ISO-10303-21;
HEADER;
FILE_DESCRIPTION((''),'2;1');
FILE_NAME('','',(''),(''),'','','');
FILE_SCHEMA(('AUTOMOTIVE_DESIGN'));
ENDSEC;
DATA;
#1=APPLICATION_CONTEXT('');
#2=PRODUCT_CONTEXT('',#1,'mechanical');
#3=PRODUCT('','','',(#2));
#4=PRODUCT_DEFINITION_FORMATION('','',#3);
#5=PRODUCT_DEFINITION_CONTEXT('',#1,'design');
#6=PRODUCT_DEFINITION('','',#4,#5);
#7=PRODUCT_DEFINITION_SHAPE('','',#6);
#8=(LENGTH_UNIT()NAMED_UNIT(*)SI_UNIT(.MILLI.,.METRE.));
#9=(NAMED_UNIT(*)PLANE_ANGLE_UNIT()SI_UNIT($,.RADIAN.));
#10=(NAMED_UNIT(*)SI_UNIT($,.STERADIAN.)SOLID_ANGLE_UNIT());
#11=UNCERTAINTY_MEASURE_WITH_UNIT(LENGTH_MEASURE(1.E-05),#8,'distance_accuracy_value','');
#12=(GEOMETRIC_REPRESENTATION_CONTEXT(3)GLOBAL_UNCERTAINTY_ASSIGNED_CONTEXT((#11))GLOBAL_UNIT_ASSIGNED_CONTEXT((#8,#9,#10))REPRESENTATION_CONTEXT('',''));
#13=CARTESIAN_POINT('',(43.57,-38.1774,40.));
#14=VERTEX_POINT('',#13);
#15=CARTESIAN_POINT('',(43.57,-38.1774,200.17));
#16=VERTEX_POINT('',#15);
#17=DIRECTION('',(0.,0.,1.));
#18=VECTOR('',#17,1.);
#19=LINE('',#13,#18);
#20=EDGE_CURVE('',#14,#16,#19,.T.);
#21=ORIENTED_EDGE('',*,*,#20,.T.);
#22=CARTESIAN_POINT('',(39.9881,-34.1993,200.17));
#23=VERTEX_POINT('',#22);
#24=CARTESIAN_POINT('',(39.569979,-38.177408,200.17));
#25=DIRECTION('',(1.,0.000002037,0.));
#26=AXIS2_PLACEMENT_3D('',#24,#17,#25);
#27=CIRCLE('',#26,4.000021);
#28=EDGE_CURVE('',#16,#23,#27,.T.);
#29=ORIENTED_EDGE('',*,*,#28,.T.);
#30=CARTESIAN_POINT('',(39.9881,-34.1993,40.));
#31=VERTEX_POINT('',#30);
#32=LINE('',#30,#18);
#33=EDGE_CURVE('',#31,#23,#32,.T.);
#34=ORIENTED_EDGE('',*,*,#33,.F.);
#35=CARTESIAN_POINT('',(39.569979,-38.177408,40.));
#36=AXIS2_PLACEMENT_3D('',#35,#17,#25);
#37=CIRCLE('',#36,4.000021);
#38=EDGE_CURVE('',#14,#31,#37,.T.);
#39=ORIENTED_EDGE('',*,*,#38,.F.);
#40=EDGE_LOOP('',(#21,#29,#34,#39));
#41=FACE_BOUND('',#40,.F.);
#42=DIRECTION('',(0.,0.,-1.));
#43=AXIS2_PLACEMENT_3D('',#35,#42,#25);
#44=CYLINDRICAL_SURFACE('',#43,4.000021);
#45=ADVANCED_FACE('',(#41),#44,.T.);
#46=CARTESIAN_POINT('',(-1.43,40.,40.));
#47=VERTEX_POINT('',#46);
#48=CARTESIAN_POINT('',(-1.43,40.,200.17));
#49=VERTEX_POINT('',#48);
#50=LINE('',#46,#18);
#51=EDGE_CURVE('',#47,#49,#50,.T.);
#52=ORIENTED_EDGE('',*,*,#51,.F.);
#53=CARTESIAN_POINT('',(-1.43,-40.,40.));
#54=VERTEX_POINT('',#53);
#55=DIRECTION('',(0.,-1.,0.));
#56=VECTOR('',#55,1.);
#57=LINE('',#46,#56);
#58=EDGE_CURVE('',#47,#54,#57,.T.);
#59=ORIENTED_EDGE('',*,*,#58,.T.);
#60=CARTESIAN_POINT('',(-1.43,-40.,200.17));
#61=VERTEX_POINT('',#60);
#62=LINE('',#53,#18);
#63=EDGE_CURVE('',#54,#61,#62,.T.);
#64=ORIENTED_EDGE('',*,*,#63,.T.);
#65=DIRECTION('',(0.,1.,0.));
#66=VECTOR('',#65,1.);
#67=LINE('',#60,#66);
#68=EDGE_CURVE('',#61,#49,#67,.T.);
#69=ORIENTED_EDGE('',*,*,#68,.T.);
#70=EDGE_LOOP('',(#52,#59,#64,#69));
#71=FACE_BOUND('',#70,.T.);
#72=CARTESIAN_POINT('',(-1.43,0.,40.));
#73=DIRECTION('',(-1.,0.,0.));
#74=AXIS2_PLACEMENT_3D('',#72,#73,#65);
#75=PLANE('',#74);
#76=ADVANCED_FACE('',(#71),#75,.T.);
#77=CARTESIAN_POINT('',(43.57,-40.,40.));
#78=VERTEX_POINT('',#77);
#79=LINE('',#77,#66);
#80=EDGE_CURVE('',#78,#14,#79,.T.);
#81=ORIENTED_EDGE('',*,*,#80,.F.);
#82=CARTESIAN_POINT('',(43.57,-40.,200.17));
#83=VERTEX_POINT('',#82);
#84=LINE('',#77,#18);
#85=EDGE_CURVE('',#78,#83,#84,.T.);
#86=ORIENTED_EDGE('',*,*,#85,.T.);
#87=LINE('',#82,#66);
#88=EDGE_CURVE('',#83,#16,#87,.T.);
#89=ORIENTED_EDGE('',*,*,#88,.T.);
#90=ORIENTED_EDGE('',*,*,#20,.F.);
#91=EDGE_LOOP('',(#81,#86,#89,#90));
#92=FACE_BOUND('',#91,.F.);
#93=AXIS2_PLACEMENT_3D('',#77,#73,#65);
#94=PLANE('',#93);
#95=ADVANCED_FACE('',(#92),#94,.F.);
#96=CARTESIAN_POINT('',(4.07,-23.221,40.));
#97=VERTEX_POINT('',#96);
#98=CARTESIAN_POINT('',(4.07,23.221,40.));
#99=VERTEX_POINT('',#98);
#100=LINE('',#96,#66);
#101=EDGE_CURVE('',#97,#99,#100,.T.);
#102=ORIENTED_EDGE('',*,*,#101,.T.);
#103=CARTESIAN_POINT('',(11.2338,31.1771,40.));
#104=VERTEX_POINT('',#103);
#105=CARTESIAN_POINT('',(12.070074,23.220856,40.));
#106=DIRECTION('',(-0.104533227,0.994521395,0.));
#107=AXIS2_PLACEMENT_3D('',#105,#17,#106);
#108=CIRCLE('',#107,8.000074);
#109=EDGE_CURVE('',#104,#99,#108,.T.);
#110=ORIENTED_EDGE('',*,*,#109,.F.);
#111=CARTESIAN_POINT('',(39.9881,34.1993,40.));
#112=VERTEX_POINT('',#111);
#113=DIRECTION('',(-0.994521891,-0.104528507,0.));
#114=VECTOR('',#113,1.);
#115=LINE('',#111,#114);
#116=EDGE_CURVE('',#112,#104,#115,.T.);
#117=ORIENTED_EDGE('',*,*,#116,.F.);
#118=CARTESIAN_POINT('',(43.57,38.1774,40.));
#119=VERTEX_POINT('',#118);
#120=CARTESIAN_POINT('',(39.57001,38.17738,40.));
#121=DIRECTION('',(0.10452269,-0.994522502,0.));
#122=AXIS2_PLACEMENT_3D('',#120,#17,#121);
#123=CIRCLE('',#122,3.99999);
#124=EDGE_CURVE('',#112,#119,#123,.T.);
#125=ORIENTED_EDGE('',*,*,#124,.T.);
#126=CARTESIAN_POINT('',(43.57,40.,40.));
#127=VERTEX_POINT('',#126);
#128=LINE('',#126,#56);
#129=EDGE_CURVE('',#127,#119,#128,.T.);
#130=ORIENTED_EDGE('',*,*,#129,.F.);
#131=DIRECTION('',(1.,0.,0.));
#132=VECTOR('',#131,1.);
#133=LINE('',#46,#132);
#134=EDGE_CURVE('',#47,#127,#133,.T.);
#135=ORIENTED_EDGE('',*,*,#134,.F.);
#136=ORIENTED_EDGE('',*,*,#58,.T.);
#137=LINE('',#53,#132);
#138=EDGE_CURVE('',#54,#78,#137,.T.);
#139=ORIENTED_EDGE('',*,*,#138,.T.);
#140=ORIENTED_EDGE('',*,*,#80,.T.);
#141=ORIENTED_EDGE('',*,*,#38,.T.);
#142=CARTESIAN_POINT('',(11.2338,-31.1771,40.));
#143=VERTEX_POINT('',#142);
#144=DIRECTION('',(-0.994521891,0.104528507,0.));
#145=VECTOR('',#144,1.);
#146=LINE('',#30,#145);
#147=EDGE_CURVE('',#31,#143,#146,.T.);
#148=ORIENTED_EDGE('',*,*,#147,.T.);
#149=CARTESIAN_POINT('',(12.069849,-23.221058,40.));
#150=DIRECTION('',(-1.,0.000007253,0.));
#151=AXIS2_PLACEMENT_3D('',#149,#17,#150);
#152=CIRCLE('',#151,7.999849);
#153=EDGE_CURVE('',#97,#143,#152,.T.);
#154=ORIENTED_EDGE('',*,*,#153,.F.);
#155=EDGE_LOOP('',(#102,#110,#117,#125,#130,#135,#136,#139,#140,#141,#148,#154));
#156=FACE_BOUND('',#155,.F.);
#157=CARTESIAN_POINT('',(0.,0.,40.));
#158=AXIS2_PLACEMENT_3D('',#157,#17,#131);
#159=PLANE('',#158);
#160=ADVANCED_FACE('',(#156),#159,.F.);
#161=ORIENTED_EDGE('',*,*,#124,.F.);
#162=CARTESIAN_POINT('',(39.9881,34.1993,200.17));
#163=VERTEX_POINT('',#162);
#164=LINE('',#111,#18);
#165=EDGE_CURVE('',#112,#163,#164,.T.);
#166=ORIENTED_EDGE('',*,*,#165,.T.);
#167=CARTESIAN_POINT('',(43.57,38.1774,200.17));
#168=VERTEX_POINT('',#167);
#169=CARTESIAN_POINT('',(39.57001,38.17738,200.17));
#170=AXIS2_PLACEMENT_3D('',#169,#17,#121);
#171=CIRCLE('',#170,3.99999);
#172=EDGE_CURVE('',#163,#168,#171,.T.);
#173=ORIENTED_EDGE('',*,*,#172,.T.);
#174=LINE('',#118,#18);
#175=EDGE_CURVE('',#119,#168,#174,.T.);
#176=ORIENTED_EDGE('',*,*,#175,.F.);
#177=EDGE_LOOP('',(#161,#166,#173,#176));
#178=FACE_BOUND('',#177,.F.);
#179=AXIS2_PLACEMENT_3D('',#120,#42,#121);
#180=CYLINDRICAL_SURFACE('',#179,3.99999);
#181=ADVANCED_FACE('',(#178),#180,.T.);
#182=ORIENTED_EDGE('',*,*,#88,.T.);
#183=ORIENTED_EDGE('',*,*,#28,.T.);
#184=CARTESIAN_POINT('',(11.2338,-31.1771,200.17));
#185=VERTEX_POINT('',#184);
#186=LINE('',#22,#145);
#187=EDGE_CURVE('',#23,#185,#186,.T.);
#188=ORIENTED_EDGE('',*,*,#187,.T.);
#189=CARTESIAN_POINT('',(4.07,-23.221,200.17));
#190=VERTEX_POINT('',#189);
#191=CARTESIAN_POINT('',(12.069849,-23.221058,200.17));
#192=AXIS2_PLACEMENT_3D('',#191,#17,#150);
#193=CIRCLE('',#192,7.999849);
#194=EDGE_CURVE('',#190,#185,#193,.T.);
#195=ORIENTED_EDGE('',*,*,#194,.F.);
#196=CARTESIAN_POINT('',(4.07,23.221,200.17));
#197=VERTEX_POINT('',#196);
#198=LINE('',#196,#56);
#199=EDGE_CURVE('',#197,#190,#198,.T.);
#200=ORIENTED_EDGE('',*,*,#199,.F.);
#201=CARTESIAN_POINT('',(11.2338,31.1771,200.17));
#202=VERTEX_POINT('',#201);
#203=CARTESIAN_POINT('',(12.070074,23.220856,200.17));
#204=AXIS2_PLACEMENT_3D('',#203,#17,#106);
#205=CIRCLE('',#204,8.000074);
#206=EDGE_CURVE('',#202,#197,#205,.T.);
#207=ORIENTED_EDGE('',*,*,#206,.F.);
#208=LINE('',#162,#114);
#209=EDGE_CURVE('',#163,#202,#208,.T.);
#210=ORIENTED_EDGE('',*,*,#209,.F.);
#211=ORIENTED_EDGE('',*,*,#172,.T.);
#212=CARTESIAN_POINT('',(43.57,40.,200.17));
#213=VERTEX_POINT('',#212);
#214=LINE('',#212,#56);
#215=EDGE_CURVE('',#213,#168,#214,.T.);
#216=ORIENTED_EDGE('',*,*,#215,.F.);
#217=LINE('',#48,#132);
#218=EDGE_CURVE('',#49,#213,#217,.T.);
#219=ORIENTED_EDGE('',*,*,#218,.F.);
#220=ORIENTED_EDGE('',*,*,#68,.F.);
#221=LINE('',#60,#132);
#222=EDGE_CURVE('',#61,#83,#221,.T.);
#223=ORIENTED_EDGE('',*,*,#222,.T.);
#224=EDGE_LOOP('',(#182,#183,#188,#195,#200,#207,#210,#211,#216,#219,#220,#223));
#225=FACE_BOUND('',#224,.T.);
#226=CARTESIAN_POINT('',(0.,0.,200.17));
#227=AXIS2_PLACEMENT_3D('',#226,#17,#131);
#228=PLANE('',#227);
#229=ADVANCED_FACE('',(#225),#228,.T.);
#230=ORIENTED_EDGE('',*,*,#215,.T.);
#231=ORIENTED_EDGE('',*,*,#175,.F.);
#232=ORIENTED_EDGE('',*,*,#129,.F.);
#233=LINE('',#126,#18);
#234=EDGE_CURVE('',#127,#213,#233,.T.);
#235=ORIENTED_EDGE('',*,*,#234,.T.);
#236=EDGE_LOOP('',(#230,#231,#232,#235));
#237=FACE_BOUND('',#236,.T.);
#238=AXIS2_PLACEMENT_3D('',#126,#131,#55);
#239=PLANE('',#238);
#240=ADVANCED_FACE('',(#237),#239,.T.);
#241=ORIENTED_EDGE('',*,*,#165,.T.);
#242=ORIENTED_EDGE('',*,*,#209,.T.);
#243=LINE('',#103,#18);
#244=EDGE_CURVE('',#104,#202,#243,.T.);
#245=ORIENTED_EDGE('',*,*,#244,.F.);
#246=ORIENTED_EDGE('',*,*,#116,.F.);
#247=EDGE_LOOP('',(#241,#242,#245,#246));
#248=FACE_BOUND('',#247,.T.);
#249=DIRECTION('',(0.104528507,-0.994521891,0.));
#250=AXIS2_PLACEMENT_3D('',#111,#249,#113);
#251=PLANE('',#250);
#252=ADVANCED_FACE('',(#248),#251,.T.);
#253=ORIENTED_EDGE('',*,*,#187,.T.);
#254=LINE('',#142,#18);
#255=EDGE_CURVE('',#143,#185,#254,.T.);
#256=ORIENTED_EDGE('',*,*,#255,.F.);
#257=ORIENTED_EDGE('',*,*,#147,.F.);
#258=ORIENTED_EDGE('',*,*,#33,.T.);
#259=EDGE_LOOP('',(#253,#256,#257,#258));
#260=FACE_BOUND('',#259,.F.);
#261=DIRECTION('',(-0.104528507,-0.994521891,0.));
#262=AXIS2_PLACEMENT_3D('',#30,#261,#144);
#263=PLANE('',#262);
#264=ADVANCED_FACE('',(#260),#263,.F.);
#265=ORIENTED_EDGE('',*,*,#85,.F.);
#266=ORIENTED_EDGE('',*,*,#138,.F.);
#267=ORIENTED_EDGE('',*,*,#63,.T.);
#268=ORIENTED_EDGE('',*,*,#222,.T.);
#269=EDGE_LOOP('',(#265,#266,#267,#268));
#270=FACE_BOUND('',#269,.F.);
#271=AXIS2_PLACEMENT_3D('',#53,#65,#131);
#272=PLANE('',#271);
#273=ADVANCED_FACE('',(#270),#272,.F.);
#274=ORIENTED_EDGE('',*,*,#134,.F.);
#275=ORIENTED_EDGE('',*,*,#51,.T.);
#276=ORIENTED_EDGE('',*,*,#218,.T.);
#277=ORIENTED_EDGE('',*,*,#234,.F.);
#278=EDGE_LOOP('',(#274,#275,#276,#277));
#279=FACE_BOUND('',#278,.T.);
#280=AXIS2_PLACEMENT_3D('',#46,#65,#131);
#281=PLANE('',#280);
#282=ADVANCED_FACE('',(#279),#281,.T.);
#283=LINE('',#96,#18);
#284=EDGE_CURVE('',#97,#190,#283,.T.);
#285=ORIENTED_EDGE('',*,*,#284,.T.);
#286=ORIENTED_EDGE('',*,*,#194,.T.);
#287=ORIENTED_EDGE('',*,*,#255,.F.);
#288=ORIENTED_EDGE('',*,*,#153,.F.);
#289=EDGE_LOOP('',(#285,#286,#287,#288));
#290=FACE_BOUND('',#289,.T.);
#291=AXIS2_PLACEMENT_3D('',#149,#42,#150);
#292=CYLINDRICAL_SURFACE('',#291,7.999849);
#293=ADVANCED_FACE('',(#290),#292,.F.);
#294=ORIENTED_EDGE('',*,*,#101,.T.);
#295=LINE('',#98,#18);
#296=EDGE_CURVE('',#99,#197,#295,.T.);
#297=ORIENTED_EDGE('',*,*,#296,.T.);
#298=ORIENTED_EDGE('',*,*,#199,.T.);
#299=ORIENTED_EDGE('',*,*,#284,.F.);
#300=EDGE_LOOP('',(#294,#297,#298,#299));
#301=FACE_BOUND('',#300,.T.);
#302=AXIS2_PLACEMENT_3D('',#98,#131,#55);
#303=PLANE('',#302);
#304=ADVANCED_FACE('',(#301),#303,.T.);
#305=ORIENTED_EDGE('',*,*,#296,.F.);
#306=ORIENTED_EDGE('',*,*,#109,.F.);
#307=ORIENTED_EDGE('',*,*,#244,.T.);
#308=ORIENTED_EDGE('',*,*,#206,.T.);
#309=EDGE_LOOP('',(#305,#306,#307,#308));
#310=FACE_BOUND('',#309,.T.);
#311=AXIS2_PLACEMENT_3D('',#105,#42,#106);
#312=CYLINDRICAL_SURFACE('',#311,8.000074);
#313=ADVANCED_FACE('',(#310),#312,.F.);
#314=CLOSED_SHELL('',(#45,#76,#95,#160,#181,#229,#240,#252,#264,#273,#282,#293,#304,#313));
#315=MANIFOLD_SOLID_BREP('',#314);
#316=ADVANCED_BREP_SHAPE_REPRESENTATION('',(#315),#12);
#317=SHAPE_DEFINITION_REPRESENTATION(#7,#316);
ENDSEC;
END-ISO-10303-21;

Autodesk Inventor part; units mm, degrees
ref_plane "Начальная плоскость" through (0, 0, 40) normal (0, 0, 1) x (1, 0, 0)
ref_plane "Конечная плоскость" through (0, 0, 200.17) normal (0, 0, 1) x (1, 0, 0)
sketch "Эскиз" plane through (0, 0, 0) normal (0, 0, 1) x (1, 0, 0)
  line L0 (-1.43, 0) -> (-1.43, 40)
  line L1 (-1.43, 40) -> (43.57, 40)
  line L2 (43.57, 40) -> (43.57, 38.1774)
  line L3 (39.9881, 34.1993) -> (11.2338, 31.1771)
  line L4 (4.07, 23.221) -> (4.07, 0)
  line L5 (4.07, 0) -> (-1.43, 0) construction
  line L6 (23.82, 40) -> (23.82, 32.5) construction
  line L7 (43.57, 34.5758) -> (43.57, 32.5) construction
  line L8 (43.57, 32.5) -> (23.82, 32.5) construction
  line L9 (0, 15) -> (0, -27) construction
  line L10 (-5.539, 0) -> (16.0067, 0) construction
  line L11 (-1.43, 0) -> (-1.43, -40)
  line L12 (-1.43, -40) -> (43.57, -40)
  line L13 (43.57, -40) -> (43.57, -38.1774)
  line L14 (39.9881, -34.1993) -> (11.2338, -31.1771)
  line L15 (4.07, -23.221) -> (4.07, 0)
  arc A0 (11.2338, 31.1771) -> (4.07, 23.221) centre (12.07, 23.221) ccw
  arc A1 (4.07, -23.221) -> (11.2338, -31.1771) centre (12.07, -23.221) ccw
  arc A2 (39.9881, 34.1993) -> (43.57, 38.1774) centre (39.57, 38.1774) ccw
  arc A3 (43.57, -38.1774) -> (39.9881, -34.1993) centre (39.57, -38.1774) ccw
  line L16 (0, 56) -> (0, -56) construction
  line L17 (-15.5135, 0) -> (54.308, 0) construction
  point P0 (4.07, 30.4242)
  point P1 (43.57, -34.5758)
  point P2 (4.07, -30.4242)
  point P3 (23.82, -40)
  point P4 (23.82, -32.5)
  dimension "d0" = 5.5
  dimension "d1" = 40
  dimension "d2" = 45
  dimension "d3" = 7.5
  dimension "d4" = 19.75
  dimension "d5" = 2.0758
  dimension "d23" = 8
  dimension "d24" = 4
  dimension "d25" = 1.43
extrude "Тело" add sketch "Эскиз" along normal up to surface (160.17 mm away) from surface at 40
sketch "Sketch3" plane through (0, 0, 0) normal (0, 0, 1) x (1, 0, 0)
  line L0 (0, 0) -> (10, 0)
ref_plane "Work Plane3" through (0, 0, 0) normal (0, -1, 0) x (1, 0, 0)
sketch "Sketch4" plane through (0, 0, 0) normal (0, -1, 0) x (1, 0, 0)
  line L0 (-2, 40) -> (12, 40)
  line L1 (-2, 200.17) -> (12, 200.17)
  dimension "d29" = 160.17
ref_plane "РабПлоскость4" through (0, 358, 0) normal (0, -1, 0) x (1, 0, 0)
ref_plane "РабПлоскость5" through (0, -357.0652, 0) normal (0, -1, 0) x (1, 0, 0)
ref_plane "РабПлоскость6" through (0, 0.4674, 0) normal (0, -1, 0) x (1, 0, 0)
sketch "Эскиз5" plane through (0, 0.4674, 0) normal (0, -1, 0) x (1, 0, 0)
  line L0 (-1.43, 0) -> (-1.43, 40)
  line L1 (-1.43, 40) -> (43.57, 40)
  line L2 (43.57, 40) -> (43.57, 38.1774)
  arc A0 (39.9881, 34.1993) -> (43.57, 38.1774) centre (39.57, 38.1774) ccw
  line L3 (39.9881, 34.1993) -> (11.2338, 31.1771)
  arc A1 (11.2338, 31.1771) -> (4.07, 23.221) centre (12.07, 23.221) ccw
  line L4 (4.07, 23.221) -> (4.07, 0)
  line L5 (4.07, -23.221) -> (4.07, 0)
  arc A2 (4.07, -23.221) -> (11.2338, -31.1771) centre (12.07, -23.221) ccw
  line L6 (39.9881, -34.1993) -> (11.2338, -31.1771)
  arc A3 (43.57, -38.1774) -> (39.9881, -34.1993) centre (39.57, -38.1774) ccw
  line L7 (43.57, -40) -> (43.57, -38.1774)
  line L8 (-1.43, -40) -> (43.57, -40)
  line L9 (-1.43, 0) -> (-1.43, -40)
extrude "Выдавливание2" add sketch "Эскиз5" along normal up to surface (715.0652 mm away) from surface at -357.5326 separate body
feature "Комбинировать1" [suppressed]
ref_plane "РабПлоскость7" through (0, -362.5, 240.17) normal (0, 1, 0) x (1, 0, 0)
ref_plane "РабПлоскость8" through (0, 358, 240.17) normal (0, 1, 0) x (1, 0, 0)
ref_plane "РабПлоскость9" through (0, -2.25, 240.17) normal (0, 1, 0) x (1, 0, 0)
sketch "Эскиз6" plane through (0, -2.25, 240.17) normal (0, 1, 0) x (1, 0, 0)
  line L0 (-1.43, 0) -> (-1.43, 40)
  line L1 (-1.43, 40) -> (43.57, 40)
  line L2 (43.57, 40) -> (43.57, 38.1774)
  arc A0 (39.9881, 34.1993) -> (43.57, 38.1774) centre (39.57, 38.1774) ccw
  line L3 (39.9881, 34.1993) -> (11.2338, 31.1771)
  arc A1 (11.2338, 31.1771) -> (4.07, 23.221) centre (12.07, 23.221) ccw
  line L4 (4.07, 23.221) -> (4.07, 0)
  line L5 (4.07, -23.221) -> (4.07, 0)
  arc A2 (4.07, -23.221) -> (11.2338, -31.1771) centre (12.07, -23.221) ccw
  line L6 (39.9881, -34.1993) -> (11.2338, -31.1771)
  arc A3 (43.57, -38.1774) -> (39.9881, -34.1993) centre (39.57, -38.1774) ccw
  line L7 (43.57, -40) -> (43.57, -38.1774)
  line L8 (-1.43, -40) -> (43.57, -40)
  line L9 (-1.43, 0) -> (-1.43, -40)
extrude "Выдавливание3" add sketch "Эскиз6" along normal up to surface (720.5 mm away) from surface at -360.25 separate body
feature "Комбинировать2" [suppressed]
ref_plane "РабПлоскость10" through (-1.43, 358, 40) normal (0, 0, -1) x (-1, 0, 0)
split "Разделение1" plane through (-1.43, 358, 40) removes the side toward (0, 0, -1)
ref_plane "РабПлоскость11" through (-1.43, -362.5, 200.17) normal (0, 0, 1) x (1, 0, 0)
split "Разделение2" plane through (-1.43, -362.5, 200.17) removes the side toward (0, 0, 1)
equation "\"d0\" = G_T"
equation "\"d1\" = 0.5 * G_H"
equation "\"d2\" = G_W"
equation "\"d3\" = G_T1"
equation "\"d4\" = G_C"
equation "\"d23\" = G_IR"
equation "\"d24\" = G_ER"
equation "\"d25\" = ex"
equation "\"d6\" = G_L"
equation "\"G_W\" = 45"
equation "\"G_T\" = 5.5"
equation "\"G_T1\" = 7.5"
equation "\"G_NG\" = 0.105104"
equation "\"G_ER\" = 4"
equation "\"G_IR\" = 8"
equation "\"G_C\" = 19.75"
equation "\"G_L\" = d29"
equation "\"ex\" = 1.43"
equation "\"d27\" = G_OFFSET_END + B_L"
equation "\"B_L\" = 240.17"
equation "\"G_H\" = 80"
equation "\"G_OFFSET_END\" = -40"
properties part number "ISO 657/11 - CH 80 x 8 - 160,17" material "Сталь, мягкая"
